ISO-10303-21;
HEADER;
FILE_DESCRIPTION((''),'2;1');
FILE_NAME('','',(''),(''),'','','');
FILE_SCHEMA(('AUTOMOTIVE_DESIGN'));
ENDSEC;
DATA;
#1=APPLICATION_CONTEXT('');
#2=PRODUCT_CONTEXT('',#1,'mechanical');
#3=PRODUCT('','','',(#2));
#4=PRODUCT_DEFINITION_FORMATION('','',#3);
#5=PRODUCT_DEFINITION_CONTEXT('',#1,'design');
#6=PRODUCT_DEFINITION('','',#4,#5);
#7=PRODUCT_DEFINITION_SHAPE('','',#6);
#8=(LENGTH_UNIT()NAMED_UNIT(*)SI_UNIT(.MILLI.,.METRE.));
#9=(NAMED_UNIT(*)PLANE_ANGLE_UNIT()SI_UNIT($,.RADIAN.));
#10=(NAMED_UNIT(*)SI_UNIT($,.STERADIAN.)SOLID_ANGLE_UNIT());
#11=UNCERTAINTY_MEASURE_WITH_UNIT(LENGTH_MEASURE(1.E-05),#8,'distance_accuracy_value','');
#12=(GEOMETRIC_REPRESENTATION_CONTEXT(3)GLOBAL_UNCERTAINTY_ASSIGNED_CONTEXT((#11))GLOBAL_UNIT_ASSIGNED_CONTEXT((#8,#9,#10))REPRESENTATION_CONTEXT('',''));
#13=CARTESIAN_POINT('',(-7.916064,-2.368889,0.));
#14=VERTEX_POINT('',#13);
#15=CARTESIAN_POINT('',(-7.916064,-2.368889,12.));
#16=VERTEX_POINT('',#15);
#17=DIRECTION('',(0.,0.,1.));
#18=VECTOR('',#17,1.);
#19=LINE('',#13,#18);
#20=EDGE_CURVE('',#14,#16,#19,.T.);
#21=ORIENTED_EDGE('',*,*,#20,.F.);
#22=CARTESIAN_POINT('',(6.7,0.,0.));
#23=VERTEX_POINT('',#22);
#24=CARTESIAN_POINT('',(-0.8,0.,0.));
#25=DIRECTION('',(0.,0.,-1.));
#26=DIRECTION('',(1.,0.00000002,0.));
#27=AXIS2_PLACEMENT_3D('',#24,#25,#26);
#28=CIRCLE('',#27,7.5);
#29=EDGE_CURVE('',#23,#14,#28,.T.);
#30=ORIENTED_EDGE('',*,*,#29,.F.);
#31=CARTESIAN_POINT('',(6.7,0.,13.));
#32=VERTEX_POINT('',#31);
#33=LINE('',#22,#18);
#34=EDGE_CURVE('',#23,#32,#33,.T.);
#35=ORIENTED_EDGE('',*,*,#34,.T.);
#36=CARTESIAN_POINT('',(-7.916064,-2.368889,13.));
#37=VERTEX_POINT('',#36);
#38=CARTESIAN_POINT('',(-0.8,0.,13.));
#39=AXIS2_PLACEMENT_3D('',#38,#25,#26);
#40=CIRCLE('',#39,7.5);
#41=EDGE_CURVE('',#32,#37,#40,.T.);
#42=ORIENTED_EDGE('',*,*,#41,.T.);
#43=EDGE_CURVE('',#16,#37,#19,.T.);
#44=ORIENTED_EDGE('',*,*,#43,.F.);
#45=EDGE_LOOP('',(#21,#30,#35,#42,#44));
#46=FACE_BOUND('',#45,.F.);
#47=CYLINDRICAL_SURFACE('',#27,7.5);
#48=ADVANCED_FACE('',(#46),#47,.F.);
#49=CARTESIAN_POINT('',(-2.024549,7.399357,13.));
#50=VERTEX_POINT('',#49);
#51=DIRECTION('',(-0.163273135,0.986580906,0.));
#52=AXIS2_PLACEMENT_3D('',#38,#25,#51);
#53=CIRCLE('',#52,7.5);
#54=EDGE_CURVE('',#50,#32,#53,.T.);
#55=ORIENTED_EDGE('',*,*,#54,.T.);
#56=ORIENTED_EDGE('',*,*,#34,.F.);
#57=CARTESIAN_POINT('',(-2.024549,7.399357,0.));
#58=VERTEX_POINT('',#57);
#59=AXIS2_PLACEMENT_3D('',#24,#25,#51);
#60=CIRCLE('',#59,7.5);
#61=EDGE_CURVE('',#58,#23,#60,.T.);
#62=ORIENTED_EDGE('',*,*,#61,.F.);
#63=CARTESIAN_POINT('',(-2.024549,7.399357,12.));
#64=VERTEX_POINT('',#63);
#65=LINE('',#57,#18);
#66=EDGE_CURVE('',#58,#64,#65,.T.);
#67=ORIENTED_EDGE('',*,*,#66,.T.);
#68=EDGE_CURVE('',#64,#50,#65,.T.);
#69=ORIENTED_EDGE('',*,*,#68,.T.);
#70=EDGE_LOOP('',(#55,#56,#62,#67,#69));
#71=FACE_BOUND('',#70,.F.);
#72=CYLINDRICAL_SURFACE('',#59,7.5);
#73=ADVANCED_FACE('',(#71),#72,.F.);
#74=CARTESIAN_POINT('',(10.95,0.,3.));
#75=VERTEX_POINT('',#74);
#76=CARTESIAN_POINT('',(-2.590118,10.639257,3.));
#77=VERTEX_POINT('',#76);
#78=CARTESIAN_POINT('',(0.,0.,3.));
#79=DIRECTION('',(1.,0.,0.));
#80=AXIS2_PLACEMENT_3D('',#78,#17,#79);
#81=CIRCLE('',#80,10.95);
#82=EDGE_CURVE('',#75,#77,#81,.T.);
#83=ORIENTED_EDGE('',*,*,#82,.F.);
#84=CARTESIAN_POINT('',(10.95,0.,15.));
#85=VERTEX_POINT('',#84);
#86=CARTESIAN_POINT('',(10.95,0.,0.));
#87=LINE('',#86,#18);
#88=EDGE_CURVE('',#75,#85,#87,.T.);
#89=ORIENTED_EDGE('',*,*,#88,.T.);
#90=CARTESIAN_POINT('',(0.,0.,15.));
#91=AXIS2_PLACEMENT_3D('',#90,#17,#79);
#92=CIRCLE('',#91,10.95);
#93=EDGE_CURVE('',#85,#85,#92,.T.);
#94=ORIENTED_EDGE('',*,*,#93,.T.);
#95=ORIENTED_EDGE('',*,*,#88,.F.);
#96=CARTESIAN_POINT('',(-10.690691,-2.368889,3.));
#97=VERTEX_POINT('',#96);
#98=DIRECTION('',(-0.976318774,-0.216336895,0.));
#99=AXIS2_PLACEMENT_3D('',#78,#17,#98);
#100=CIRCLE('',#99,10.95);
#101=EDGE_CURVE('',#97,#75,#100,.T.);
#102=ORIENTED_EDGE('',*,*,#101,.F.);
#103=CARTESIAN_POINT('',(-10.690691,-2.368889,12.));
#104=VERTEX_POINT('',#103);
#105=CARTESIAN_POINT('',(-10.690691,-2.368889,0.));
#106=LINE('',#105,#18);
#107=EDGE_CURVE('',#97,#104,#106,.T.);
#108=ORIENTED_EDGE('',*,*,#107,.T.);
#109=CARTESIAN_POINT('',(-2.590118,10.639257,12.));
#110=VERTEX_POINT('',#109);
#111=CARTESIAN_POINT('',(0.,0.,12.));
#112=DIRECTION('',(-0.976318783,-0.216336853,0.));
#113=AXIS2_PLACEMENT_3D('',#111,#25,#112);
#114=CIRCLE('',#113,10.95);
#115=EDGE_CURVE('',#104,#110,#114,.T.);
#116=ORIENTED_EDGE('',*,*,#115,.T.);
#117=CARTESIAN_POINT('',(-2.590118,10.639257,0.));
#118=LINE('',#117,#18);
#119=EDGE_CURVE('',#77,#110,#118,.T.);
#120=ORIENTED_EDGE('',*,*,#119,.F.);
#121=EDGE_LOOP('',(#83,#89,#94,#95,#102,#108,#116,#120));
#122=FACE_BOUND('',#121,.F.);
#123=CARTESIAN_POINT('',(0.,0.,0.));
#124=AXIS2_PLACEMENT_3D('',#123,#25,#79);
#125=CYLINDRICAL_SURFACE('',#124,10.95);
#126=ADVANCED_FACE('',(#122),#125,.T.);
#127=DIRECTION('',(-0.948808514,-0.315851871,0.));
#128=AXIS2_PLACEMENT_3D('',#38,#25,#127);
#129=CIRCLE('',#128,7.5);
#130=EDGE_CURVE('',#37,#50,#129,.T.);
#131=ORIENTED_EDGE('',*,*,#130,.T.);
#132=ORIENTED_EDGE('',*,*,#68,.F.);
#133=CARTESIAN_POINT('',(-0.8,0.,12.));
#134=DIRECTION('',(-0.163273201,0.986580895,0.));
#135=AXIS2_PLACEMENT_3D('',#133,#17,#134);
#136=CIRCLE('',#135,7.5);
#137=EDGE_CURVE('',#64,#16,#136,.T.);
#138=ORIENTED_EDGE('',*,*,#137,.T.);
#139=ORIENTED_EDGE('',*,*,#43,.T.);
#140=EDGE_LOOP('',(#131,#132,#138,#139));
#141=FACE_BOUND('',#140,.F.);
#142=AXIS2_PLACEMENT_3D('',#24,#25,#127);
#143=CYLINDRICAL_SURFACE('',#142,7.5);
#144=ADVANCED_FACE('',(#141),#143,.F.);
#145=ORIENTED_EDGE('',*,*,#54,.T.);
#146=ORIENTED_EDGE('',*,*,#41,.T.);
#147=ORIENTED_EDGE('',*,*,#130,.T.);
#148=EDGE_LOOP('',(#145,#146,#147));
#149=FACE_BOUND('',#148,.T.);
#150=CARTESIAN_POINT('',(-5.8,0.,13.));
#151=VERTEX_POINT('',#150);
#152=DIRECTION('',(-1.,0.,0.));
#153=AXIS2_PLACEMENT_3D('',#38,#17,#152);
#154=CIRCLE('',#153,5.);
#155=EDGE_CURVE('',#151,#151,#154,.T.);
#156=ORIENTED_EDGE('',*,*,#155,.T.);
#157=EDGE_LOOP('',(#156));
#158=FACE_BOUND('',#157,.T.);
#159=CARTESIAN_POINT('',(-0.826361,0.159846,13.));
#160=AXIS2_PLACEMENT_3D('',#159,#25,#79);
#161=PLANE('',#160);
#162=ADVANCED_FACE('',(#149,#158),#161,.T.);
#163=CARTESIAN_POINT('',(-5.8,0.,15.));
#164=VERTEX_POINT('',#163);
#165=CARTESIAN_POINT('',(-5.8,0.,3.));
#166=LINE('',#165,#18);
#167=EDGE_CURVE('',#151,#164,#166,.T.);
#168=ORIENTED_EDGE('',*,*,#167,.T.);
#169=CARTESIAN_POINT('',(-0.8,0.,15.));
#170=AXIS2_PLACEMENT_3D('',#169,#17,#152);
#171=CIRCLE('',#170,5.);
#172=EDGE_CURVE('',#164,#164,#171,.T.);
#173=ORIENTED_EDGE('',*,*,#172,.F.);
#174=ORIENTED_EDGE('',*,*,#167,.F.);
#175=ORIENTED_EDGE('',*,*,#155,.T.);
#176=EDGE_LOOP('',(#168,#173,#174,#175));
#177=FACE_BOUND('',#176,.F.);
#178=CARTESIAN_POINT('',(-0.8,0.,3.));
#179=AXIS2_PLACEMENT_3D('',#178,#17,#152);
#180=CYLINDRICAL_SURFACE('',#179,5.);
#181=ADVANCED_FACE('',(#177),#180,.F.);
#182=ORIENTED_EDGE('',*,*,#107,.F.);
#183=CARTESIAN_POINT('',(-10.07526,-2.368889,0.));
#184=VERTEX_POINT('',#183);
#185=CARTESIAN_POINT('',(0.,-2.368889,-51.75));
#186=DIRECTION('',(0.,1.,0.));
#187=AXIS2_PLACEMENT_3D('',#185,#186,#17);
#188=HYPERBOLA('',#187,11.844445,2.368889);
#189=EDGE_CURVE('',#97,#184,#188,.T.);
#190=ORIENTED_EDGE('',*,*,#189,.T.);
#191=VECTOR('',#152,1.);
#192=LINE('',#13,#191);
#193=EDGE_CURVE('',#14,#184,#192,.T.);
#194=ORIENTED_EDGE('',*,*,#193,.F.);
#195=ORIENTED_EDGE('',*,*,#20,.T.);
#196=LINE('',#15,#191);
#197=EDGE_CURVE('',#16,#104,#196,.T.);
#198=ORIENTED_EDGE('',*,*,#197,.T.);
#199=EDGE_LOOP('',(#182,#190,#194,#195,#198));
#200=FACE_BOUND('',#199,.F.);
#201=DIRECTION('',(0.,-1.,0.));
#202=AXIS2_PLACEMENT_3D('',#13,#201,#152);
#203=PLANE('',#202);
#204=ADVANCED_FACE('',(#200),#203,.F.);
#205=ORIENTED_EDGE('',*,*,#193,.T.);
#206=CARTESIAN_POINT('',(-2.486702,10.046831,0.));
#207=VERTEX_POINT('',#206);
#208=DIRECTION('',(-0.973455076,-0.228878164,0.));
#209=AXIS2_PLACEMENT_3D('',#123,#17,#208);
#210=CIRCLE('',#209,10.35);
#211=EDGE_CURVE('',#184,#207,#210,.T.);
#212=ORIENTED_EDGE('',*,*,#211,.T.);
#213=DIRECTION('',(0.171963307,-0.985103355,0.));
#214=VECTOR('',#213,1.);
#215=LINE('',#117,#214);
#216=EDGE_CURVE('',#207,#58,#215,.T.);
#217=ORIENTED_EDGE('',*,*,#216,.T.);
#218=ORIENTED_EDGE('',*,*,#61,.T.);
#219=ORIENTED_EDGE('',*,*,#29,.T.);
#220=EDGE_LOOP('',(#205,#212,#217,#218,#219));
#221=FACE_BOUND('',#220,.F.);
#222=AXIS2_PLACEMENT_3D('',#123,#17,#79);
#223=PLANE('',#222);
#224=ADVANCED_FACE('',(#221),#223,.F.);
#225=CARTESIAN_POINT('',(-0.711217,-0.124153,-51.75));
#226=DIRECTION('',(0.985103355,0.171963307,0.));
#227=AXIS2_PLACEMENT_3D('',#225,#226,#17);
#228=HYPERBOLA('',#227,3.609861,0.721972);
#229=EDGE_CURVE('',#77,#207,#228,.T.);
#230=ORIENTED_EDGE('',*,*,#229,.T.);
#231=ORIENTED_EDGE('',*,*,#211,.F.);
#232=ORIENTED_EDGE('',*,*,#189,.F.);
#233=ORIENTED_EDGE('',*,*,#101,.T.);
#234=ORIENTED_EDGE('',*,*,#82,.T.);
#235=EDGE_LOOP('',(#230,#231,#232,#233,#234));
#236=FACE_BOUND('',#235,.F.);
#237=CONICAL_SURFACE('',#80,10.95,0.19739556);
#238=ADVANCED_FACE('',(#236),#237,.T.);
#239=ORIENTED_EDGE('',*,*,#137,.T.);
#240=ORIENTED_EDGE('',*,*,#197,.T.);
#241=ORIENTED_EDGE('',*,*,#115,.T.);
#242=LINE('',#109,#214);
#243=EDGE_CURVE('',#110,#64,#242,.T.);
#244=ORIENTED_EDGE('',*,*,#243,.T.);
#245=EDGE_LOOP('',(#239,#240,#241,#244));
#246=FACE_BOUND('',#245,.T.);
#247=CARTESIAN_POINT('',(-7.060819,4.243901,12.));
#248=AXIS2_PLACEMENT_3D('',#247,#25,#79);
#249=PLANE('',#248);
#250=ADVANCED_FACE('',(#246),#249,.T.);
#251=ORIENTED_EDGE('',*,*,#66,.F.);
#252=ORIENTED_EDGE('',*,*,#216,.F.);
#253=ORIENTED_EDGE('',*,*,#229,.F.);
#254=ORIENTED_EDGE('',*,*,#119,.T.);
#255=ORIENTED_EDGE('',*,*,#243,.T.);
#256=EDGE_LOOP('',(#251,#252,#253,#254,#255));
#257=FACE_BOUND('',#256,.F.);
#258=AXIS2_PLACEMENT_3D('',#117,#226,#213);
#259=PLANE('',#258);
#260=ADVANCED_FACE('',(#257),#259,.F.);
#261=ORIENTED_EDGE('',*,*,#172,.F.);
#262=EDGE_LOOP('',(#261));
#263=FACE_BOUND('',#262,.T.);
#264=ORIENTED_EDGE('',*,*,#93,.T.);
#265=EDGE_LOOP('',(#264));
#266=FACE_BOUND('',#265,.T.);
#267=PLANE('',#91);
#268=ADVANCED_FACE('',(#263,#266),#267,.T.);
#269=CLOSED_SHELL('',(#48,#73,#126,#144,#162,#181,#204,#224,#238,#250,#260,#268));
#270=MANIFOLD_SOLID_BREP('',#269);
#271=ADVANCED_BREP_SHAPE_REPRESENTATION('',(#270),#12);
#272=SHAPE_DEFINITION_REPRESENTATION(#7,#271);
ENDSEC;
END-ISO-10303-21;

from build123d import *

# Parameters (mm, degrees)
F0_R     = 10.95
F1_DEPTH = 15
F3_DEPTH = 12
F4_DEPTH = 13
F6_D     = 10
F6_DEPTH = 10
F7_SIZE2 = 0.6
F7_SIZE  = 3


with BuildPart() as f1:
    # F0 (on Top) → F1 (new body)
    with BuildSketch(Plane.XY):
        Circle(F0_R)
    extrude(amount=F1_DEPTH)

    # F2 (on face) → F3 (cut)
    with BuildSketch(Plane(origin=(0, 0, 0), x_dir=(1, 0, 0), z_dir=(0, 0, -1))):
        with BuildLine():
            ThreePointArc((-2.024549, -7.399357), (-7.222314, -3.873485), (-7.916064, 2.368889))
            Line((-7.916064, 2.368889), (-10.690691, 2.368889))
            ThreePointArc((-10.690691, 2.368889), (-9.295049, -5.788313), (-2.590118, -10.639257))
            Line((-2.590118, -10.639257), (-2.024549, -7.399357))
        make_face()
    extrude(amount=-F3_DEPTH, mode=Mode.SUBTRACT)

    # F2 (on face) → F4 (cut)
    with BuildSketch(Plane(origin=(0, 0, 0), x_dir=(1, 0, 0), z_dir=(0, 0, -1))):
        with BuildLine():
            ThreePointArc((-2.024549, -7.399357), (4.051076, -5.719883), (6.7, 0))
            ThreePointArc((6.7, 0), (0.3999, 7.403394), (-7.916064, 2.368889))
            ThreePointArc((-7.916064, 2.368889), (-7.222314, -3.873485), (-2.024549, -7.399357))
        make_face()
    extrude(amount=-F4_DEPTH, mode=Mode.SUBTRACT)

    # F6
    with Locations(Plane(origin=(0, 0, 13), x_dir=(1, 0, 0), z_dir=(0, 0, -1))):
        with Locations((-0.8, 0)):
            Hole(F6_D / 2, depth=F6_DEPTH)

    # F7
    f7_edges = [f1.edges().sort_by_distance(p)[0] for p in [
        (6.765379, 8.610003, 0),
        (1.19152, -10.88498, 0),
    ]]
    chamfer(f7_edges, length=F7_SIZE, length2=F7_SIZE2)


solid = f1.part
